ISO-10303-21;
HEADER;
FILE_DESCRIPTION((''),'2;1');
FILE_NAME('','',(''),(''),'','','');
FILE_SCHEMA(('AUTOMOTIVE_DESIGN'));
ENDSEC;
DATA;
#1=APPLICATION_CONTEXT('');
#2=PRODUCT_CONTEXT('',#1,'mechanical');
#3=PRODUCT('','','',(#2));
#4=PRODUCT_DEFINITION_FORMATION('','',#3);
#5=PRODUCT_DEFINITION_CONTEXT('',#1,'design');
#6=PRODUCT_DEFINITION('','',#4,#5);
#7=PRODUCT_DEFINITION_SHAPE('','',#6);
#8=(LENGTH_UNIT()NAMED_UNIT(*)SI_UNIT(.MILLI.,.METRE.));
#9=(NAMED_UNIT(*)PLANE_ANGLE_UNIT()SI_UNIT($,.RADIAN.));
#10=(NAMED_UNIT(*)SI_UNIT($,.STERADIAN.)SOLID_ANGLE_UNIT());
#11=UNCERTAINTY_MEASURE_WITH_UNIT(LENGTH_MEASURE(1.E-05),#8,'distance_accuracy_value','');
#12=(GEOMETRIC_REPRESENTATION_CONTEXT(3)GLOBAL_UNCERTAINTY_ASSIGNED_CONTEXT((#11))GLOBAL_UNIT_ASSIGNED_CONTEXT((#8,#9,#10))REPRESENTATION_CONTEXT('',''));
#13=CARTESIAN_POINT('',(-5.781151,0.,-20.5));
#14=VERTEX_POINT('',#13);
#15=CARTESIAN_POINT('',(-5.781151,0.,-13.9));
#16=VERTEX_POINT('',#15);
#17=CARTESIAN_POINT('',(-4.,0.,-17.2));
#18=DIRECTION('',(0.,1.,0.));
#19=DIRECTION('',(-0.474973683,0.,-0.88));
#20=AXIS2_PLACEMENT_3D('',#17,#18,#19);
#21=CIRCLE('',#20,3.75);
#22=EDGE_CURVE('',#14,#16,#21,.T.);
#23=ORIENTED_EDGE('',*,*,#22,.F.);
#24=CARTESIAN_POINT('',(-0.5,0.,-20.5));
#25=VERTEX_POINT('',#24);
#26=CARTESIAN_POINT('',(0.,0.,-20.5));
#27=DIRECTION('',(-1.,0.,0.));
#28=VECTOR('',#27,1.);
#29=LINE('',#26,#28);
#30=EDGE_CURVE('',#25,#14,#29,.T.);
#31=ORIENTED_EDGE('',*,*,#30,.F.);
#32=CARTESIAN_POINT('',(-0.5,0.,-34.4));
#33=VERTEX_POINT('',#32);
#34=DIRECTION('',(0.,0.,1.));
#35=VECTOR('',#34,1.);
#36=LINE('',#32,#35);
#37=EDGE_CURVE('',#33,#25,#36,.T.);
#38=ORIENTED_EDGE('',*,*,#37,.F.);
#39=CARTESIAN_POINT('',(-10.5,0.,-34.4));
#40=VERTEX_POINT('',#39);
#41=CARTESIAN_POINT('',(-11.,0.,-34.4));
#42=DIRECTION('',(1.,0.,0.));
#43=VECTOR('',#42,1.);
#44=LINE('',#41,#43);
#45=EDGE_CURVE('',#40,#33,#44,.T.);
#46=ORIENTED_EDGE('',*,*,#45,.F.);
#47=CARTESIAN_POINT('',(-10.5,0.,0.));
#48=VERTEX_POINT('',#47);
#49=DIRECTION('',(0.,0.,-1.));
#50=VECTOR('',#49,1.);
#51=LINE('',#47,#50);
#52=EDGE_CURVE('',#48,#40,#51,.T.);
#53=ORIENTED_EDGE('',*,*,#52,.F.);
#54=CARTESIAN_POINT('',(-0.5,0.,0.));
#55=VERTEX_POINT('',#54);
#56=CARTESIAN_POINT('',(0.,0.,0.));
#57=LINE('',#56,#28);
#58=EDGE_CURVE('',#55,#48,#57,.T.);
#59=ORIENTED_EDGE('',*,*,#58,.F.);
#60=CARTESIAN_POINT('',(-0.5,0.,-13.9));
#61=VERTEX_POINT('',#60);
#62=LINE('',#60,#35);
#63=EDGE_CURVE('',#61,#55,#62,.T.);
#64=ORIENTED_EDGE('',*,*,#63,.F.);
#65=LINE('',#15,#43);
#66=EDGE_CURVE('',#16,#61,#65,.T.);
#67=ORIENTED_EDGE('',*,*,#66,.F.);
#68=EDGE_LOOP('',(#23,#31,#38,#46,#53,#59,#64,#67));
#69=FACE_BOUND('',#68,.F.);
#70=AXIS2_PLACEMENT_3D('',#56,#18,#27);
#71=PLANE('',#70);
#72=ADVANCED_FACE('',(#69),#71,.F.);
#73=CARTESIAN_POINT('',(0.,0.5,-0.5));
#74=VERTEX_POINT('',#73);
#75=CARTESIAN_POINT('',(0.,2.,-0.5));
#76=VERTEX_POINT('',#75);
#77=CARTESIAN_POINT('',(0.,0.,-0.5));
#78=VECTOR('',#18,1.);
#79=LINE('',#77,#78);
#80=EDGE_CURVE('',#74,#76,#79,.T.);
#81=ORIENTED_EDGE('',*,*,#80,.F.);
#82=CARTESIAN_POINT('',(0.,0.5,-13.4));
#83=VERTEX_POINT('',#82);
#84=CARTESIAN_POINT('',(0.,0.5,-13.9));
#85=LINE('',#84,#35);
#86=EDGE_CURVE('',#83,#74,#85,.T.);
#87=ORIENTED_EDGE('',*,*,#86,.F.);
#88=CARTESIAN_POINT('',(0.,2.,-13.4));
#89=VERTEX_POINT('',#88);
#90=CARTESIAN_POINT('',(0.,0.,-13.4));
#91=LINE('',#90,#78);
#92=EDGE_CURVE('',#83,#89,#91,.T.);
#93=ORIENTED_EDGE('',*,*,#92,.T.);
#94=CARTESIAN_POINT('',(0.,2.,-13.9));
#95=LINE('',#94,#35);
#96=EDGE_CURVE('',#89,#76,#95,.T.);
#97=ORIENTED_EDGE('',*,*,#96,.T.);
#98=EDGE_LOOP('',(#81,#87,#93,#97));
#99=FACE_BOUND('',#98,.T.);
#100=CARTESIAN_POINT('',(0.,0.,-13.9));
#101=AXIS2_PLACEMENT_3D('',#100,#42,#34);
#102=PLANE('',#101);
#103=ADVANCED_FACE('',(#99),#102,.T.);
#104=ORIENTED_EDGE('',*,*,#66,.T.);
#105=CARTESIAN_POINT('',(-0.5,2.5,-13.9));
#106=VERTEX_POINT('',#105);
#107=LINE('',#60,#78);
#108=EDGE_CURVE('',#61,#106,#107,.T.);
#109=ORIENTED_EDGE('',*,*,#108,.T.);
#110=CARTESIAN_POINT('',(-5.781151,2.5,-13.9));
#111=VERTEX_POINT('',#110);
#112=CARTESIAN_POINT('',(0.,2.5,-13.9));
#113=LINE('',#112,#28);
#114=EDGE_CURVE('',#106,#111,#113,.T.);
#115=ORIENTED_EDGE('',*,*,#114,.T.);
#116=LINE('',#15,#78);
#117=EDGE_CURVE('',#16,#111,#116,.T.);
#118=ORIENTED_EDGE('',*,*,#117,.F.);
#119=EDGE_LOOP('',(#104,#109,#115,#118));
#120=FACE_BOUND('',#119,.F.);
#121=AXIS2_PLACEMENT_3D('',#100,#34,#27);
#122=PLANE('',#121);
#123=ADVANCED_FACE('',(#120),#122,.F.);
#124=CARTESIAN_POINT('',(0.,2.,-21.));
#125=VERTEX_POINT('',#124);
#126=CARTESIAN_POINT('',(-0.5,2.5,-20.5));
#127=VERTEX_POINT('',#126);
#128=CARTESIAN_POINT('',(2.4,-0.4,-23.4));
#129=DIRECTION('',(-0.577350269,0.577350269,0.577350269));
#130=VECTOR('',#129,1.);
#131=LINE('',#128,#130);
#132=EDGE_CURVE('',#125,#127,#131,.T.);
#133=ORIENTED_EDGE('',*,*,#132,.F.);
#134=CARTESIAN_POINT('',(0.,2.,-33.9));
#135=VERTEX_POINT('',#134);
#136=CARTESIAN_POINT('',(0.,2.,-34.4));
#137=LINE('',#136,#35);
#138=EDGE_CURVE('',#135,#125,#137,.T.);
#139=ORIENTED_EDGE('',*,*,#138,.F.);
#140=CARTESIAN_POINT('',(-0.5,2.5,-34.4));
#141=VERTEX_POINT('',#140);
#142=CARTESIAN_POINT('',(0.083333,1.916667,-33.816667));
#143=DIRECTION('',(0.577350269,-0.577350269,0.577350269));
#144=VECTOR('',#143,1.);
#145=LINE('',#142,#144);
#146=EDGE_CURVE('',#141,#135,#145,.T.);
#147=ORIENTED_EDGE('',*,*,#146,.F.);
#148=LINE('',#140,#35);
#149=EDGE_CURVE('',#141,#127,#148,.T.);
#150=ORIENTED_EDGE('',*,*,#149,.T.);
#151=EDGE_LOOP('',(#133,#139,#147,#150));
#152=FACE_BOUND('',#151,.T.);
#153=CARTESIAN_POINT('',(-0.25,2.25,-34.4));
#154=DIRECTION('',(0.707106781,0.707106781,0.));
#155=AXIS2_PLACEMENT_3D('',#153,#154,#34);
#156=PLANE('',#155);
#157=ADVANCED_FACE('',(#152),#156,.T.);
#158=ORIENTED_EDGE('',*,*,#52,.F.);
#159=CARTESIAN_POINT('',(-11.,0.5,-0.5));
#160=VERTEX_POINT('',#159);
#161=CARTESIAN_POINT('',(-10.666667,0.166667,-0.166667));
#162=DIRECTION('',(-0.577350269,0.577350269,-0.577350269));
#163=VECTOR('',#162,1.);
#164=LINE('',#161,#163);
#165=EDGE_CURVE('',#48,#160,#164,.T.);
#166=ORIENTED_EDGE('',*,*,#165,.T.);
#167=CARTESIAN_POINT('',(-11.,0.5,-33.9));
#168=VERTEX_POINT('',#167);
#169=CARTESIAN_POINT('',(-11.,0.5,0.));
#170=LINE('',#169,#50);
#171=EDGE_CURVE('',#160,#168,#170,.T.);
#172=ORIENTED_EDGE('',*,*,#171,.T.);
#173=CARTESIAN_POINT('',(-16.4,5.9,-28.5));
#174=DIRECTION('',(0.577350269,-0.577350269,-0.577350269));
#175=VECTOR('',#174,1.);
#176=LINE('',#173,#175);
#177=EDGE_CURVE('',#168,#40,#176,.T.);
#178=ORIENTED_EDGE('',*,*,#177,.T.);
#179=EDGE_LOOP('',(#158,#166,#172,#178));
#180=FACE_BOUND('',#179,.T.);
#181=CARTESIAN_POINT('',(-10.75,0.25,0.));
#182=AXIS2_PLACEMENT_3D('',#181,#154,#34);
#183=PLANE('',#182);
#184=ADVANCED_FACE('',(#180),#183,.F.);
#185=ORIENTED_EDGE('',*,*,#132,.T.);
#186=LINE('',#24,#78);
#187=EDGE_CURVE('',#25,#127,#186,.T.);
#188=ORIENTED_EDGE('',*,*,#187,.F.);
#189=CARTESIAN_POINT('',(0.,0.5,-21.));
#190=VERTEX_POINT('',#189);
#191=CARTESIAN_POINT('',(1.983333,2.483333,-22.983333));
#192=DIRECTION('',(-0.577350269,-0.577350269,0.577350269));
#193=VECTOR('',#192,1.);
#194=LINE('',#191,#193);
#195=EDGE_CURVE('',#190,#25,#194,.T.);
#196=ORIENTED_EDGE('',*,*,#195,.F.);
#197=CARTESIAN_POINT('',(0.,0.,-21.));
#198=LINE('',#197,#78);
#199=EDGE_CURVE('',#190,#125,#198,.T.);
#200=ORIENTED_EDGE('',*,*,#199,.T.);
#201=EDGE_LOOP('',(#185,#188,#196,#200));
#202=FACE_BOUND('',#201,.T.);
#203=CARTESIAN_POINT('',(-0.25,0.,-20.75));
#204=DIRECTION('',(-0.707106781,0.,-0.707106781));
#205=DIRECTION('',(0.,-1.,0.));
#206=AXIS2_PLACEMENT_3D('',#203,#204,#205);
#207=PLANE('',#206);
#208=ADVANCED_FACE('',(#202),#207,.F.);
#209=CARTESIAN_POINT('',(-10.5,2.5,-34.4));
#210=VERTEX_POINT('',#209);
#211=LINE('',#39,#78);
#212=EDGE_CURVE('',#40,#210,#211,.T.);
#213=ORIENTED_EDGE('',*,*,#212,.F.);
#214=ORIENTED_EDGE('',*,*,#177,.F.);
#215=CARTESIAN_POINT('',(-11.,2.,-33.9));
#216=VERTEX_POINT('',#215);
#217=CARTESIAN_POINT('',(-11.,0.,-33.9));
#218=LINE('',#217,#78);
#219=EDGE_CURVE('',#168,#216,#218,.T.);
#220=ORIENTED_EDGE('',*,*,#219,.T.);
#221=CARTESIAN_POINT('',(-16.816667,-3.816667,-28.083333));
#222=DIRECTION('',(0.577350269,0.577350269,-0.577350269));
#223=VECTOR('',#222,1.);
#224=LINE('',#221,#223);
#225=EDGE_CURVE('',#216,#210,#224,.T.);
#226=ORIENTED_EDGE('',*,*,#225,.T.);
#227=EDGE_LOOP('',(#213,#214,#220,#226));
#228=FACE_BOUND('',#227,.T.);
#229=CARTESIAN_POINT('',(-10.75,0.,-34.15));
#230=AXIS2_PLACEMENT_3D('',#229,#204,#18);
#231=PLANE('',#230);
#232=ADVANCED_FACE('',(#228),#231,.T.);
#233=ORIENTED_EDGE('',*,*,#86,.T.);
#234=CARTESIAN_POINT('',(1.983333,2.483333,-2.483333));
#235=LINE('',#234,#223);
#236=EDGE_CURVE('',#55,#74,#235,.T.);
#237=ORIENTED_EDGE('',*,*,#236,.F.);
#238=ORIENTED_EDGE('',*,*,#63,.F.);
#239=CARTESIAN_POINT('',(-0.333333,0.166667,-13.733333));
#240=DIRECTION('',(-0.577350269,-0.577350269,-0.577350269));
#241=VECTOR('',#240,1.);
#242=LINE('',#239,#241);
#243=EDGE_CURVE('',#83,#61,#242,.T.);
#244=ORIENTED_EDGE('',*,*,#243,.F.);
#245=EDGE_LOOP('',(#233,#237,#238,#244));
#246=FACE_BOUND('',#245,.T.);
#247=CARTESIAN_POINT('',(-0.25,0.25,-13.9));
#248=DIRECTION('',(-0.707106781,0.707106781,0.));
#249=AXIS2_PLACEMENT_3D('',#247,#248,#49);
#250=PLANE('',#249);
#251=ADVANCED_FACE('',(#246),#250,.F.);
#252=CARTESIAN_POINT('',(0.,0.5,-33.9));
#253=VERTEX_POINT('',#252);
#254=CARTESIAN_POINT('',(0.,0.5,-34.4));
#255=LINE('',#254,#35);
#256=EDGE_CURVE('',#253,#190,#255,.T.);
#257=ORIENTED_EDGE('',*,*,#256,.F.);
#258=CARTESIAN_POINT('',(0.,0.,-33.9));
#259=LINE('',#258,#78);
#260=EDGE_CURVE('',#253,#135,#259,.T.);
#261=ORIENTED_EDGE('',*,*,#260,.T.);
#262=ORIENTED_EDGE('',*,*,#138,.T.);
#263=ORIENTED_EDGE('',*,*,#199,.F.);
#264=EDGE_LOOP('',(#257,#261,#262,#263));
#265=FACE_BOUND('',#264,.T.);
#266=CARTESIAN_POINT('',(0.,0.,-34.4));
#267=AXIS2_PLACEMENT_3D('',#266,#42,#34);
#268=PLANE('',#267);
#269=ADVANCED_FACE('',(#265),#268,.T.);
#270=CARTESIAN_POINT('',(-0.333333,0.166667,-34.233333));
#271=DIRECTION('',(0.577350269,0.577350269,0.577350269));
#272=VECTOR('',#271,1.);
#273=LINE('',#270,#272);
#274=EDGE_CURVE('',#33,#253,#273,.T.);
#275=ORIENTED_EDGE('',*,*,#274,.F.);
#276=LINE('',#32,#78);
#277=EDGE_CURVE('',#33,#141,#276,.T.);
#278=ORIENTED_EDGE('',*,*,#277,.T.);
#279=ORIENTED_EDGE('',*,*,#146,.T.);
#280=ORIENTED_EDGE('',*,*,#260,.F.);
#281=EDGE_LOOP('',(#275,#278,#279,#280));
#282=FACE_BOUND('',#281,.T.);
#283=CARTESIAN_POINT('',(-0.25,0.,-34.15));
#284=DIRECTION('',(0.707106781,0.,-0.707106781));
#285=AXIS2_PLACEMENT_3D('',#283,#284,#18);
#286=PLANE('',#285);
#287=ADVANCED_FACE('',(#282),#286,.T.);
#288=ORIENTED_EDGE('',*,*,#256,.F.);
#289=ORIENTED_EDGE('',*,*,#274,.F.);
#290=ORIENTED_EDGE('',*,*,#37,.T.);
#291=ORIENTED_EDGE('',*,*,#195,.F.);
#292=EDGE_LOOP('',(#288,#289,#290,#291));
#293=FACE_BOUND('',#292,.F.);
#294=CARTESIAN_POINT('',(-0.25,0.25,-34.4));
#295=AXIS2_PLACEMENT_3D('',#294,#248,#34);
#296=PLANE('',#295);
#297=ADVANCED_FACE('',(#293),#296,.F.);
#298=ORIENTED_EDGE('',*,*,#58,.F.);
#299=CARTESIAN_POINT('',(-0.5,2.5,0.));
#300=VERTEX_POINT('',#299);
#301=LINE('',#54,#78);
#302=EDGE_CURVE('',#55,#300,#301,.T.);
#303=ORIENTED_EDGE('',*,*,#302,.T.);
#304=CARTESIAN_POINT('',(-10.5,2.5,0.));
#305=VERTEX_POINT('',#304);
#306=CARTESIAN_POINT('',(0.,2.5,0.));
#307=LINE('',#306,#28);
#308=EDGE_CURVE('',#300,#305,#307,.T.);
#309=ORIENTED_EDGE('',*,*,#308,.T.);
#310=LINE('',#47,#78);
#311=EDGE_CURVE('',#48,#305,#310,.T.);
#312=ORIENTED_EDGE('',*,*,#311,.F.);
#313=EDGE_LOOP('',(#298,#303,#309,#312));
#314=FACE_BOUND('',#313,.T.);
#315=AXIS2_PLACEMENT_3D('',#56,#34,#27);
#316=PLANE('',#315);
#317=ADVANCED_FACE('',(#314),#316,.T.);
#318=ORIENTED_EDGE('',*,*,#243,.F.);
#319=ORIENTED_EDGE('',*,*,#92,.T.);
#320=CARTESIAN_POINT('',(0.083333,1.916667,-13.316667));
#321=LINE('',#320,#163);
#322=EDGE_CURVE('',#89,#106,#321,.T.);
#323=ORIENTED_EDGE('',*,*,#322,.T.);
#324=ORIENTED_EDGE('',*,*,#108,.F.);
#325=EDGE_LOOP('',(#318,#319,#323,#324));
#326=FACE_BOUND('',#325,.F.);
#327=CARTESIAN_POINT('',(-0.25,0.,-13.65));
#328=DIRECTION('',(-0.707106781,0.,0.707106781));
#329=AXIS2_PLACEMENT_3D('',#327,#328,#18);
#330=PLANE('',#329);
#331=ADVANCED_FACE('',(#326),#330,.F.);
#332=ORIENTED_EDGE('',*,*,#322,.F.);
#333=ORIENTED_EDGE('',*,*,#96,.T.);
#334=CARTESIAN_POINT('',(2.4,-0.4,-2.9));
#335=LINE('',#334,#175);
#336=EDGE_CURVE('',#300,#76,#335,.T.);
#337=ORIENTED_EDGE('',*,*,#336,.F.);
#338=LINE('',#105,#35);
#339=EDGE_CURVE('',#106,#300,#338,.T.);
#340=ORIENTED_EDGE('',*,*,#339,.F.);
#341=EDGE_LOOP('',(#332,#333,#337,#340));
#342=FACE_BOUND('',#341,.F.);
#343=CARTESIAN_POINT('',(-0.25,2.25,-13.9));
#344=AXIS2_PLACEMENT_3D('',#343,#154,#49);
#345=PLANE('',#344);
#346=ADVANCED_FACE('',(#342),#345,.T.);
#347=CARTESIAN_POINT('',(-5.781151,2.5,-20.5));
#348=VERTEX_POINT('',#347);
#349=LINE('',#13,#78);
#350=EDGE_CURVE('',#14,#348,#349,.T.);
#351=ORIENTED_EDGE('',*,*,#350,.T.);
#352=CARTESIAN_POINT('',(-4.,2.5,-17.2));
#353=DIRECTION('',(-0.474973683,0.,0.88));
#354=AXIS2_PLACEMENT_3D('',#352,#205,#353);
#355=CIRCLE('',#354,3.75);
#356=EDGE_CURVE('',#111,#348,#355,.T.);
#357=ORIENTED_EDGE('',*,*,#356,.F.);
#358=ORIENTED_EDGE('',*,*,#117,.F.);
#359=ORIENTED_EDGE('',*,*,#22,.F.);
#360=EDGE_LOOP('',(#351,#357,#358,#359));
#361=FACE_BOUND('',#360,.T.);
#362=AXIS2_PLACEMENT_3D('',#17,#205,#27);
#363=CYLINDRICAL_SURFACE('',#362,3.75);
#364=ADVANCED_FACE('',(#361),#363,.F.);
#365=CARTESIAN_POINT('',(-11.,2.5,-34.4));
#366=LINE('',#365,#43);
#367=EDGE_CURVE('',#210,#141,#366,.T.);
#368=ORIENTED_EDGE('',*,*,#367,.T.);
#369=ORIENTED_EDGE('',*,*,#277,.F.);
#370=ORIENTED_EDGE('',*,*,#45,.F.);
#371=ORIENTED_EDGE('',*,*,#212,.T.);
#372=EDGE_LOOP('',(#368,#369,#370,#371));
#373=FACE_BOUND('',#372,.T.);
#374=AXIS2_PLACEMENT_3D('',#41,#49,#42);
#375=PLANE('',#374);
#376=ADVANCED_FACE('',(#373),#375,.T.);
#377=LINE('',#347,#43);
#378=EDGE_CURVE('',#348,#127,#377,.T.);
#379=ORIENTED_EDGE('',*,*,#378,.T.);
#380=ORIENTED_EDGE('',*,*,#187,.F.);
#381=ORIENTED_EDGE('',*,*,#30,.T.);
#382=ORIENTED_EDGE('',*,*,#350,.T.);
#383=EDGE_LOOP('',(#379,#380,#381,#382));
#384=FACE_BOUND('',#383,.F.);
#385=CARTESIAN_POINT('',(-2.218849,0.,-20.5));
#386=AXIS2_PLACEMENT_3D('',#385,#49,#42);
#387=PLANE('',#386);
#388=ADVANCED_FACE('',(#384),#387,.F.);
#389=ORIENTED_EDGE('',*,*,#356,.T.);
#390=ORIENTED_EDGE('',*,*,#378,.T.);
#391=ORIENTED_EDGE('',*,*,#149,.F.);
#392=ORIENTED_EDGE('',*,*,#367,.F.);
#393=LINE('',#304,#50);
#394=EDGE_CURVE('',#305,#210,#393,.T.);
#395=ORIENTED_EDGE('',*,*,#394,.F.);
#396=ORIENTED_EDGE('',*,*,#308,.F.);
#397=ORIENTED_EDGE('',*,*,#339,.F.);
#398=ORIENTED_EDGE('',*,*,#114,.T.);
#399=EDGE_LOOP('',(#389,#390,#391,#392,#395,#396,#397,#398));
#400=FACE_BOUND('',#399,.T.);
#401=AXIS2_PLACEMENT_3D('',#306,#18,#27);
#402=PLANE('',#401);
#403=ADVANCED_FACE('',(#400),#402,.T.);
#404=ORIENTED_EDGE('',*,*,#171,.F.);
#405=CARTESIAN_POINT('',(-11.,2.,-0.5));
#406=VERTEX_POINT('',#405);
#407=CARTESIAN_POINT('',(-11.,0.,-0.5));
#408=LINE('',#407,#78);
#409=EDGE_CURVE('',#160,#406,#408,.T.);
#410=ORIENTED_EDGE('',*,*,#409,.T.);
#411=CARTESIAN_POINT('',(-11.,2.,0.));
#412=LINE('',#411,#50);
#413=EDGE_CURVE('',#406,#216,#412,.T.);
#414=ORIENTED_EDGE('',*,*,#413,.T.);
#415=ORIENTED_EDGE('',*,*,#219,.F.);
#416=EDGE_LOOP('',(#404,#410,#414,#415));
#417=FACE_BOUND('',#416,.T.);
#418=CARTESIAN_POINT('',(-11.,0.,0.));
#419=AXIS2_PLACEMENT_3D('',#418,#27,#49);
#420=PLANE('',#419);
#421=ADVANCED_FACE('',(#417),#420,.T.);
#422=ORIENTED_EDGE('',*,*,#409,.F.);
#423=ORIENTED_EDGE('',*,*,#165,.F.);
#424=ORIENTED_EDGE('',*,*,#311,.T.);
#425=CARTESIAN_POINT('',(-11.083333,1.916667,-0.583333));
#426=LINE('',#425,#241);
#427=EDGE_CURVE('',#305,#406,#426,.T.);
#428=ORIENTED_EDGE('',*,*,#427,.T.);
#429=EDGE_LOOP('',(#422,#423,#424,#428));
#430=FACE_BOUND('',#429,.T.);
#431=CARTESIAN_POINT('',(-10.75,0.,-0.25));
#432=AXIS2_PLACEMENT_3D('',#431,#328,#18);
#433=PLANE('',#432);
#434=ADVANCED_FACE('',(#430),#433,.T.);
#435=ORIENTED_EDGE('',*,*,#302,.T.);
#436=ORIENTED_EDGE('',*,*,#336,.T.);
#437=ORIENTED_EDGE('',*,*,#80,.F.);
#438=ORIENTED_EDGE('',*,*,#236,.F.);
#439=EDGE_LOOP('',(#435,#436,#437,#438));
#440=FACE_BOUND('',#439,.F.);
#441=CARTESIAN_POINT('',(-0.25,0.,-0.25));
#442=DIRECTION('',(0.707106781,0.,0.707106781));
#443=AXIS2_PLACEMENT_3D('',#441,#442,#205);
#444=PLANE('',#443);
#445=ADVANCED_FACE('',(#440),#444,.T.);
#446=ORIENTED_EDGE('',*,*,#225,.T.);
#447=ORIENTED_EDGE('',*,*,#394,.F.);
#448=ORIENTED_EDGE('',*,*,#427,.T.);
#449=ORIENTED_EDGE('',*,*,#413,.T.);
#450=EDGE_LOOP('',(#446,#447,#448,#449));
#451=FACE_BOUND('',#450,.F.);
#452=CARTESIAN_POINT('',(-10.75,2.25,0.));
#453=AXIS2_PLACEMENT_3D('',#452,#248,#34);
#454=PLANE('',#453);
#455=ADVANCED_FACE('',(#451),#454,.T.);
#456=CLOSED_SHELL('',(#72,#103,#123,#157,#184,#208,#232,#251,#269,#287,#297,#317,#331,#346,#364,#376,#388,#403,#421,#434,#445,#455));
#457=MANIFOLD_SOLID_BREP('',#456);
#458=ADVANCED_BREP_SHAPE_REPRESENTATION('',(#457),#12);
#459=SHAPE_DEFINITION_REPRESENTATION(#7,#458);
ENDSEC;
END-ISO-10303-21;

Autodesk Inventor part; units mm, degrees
ref_plane "YZ Plane" through (0, 0, 0) normal (1, 0, 0) x (0, 1, 0)
ref_plane "XZ Plane" through (0, 0, 0) normal (0, 1, 0) x (-1, 0, 0)
ref_plane "XY Plane" through (0, 0, 0) normal (0, 0, 1) x (1, 0, 0)
sketch "S-Base" plane through (0, 0, 0) normal (0, 1, 0) x (-1, 0, 0)
  line L0 (0, 0) -> (11, 0)
  line L1 (11, 0) -> (11, -34.4)
  line L2 (11, -34.4) -> (0, -34.4)
  line L3 (0, -34.4) -> (0, 0)
  circle A0 centre (4, -17.2) radius 3.5
  line L4 (0, -13.9) -> (7.5, -13.9)
  line L5 (7.5, -13.9) -> (7.5, -20.5)
  line L6 (7.5, -20.5) -> (0, -20.5)
  line L7 (0, -20.5) -> (0, -13.9) construction
  line L8 (7.5, -17.2) -> (0, -17.2) construction
  circle A1 centre (4, -17.2) radius 3.75
  point P0 (5.7812, -20.5)
  point P1 (5.7812, -13.9)
  dimension "d1" = 7
  dimension "d0" = 34.4
  dimension "d2" = 17.2
  dimension "d3" = 6.6
  dimension "d4" = 11
  dimension "d5" = 7.5
  dimension "d6" = 0.25
extrude "Ex-Base" add sketch "S-Base" along normal blind 2.5 contours L0 L1 L2 L3 L6 A1 L5 L4 | A1 L4 A0 | L6 A0 A1 | A0 L4 | L4 L5 A1 | L6 A0 | A1 L5 L6
chamfer "Fase1" distance 0.5 angle 45 12 edges at (-11, 1.25, 0) (0, 1.25, 0) (0, 1.25, -34.4) (-11, 1.25, -34.4) (0, 1.25, -20.5) (0, 1.25, -13.9) (-11, 2.5, -17.2) (-11, 0, -17.2) (0, 2.5, -6.95) (0, 0, -6.95) (0, 2.5, -27.45) (0, 0, -27.45)
equation "\"d2\" = 0.5 * d0"
properties part number "ProbeHead_Kabelfixieung_V1"
